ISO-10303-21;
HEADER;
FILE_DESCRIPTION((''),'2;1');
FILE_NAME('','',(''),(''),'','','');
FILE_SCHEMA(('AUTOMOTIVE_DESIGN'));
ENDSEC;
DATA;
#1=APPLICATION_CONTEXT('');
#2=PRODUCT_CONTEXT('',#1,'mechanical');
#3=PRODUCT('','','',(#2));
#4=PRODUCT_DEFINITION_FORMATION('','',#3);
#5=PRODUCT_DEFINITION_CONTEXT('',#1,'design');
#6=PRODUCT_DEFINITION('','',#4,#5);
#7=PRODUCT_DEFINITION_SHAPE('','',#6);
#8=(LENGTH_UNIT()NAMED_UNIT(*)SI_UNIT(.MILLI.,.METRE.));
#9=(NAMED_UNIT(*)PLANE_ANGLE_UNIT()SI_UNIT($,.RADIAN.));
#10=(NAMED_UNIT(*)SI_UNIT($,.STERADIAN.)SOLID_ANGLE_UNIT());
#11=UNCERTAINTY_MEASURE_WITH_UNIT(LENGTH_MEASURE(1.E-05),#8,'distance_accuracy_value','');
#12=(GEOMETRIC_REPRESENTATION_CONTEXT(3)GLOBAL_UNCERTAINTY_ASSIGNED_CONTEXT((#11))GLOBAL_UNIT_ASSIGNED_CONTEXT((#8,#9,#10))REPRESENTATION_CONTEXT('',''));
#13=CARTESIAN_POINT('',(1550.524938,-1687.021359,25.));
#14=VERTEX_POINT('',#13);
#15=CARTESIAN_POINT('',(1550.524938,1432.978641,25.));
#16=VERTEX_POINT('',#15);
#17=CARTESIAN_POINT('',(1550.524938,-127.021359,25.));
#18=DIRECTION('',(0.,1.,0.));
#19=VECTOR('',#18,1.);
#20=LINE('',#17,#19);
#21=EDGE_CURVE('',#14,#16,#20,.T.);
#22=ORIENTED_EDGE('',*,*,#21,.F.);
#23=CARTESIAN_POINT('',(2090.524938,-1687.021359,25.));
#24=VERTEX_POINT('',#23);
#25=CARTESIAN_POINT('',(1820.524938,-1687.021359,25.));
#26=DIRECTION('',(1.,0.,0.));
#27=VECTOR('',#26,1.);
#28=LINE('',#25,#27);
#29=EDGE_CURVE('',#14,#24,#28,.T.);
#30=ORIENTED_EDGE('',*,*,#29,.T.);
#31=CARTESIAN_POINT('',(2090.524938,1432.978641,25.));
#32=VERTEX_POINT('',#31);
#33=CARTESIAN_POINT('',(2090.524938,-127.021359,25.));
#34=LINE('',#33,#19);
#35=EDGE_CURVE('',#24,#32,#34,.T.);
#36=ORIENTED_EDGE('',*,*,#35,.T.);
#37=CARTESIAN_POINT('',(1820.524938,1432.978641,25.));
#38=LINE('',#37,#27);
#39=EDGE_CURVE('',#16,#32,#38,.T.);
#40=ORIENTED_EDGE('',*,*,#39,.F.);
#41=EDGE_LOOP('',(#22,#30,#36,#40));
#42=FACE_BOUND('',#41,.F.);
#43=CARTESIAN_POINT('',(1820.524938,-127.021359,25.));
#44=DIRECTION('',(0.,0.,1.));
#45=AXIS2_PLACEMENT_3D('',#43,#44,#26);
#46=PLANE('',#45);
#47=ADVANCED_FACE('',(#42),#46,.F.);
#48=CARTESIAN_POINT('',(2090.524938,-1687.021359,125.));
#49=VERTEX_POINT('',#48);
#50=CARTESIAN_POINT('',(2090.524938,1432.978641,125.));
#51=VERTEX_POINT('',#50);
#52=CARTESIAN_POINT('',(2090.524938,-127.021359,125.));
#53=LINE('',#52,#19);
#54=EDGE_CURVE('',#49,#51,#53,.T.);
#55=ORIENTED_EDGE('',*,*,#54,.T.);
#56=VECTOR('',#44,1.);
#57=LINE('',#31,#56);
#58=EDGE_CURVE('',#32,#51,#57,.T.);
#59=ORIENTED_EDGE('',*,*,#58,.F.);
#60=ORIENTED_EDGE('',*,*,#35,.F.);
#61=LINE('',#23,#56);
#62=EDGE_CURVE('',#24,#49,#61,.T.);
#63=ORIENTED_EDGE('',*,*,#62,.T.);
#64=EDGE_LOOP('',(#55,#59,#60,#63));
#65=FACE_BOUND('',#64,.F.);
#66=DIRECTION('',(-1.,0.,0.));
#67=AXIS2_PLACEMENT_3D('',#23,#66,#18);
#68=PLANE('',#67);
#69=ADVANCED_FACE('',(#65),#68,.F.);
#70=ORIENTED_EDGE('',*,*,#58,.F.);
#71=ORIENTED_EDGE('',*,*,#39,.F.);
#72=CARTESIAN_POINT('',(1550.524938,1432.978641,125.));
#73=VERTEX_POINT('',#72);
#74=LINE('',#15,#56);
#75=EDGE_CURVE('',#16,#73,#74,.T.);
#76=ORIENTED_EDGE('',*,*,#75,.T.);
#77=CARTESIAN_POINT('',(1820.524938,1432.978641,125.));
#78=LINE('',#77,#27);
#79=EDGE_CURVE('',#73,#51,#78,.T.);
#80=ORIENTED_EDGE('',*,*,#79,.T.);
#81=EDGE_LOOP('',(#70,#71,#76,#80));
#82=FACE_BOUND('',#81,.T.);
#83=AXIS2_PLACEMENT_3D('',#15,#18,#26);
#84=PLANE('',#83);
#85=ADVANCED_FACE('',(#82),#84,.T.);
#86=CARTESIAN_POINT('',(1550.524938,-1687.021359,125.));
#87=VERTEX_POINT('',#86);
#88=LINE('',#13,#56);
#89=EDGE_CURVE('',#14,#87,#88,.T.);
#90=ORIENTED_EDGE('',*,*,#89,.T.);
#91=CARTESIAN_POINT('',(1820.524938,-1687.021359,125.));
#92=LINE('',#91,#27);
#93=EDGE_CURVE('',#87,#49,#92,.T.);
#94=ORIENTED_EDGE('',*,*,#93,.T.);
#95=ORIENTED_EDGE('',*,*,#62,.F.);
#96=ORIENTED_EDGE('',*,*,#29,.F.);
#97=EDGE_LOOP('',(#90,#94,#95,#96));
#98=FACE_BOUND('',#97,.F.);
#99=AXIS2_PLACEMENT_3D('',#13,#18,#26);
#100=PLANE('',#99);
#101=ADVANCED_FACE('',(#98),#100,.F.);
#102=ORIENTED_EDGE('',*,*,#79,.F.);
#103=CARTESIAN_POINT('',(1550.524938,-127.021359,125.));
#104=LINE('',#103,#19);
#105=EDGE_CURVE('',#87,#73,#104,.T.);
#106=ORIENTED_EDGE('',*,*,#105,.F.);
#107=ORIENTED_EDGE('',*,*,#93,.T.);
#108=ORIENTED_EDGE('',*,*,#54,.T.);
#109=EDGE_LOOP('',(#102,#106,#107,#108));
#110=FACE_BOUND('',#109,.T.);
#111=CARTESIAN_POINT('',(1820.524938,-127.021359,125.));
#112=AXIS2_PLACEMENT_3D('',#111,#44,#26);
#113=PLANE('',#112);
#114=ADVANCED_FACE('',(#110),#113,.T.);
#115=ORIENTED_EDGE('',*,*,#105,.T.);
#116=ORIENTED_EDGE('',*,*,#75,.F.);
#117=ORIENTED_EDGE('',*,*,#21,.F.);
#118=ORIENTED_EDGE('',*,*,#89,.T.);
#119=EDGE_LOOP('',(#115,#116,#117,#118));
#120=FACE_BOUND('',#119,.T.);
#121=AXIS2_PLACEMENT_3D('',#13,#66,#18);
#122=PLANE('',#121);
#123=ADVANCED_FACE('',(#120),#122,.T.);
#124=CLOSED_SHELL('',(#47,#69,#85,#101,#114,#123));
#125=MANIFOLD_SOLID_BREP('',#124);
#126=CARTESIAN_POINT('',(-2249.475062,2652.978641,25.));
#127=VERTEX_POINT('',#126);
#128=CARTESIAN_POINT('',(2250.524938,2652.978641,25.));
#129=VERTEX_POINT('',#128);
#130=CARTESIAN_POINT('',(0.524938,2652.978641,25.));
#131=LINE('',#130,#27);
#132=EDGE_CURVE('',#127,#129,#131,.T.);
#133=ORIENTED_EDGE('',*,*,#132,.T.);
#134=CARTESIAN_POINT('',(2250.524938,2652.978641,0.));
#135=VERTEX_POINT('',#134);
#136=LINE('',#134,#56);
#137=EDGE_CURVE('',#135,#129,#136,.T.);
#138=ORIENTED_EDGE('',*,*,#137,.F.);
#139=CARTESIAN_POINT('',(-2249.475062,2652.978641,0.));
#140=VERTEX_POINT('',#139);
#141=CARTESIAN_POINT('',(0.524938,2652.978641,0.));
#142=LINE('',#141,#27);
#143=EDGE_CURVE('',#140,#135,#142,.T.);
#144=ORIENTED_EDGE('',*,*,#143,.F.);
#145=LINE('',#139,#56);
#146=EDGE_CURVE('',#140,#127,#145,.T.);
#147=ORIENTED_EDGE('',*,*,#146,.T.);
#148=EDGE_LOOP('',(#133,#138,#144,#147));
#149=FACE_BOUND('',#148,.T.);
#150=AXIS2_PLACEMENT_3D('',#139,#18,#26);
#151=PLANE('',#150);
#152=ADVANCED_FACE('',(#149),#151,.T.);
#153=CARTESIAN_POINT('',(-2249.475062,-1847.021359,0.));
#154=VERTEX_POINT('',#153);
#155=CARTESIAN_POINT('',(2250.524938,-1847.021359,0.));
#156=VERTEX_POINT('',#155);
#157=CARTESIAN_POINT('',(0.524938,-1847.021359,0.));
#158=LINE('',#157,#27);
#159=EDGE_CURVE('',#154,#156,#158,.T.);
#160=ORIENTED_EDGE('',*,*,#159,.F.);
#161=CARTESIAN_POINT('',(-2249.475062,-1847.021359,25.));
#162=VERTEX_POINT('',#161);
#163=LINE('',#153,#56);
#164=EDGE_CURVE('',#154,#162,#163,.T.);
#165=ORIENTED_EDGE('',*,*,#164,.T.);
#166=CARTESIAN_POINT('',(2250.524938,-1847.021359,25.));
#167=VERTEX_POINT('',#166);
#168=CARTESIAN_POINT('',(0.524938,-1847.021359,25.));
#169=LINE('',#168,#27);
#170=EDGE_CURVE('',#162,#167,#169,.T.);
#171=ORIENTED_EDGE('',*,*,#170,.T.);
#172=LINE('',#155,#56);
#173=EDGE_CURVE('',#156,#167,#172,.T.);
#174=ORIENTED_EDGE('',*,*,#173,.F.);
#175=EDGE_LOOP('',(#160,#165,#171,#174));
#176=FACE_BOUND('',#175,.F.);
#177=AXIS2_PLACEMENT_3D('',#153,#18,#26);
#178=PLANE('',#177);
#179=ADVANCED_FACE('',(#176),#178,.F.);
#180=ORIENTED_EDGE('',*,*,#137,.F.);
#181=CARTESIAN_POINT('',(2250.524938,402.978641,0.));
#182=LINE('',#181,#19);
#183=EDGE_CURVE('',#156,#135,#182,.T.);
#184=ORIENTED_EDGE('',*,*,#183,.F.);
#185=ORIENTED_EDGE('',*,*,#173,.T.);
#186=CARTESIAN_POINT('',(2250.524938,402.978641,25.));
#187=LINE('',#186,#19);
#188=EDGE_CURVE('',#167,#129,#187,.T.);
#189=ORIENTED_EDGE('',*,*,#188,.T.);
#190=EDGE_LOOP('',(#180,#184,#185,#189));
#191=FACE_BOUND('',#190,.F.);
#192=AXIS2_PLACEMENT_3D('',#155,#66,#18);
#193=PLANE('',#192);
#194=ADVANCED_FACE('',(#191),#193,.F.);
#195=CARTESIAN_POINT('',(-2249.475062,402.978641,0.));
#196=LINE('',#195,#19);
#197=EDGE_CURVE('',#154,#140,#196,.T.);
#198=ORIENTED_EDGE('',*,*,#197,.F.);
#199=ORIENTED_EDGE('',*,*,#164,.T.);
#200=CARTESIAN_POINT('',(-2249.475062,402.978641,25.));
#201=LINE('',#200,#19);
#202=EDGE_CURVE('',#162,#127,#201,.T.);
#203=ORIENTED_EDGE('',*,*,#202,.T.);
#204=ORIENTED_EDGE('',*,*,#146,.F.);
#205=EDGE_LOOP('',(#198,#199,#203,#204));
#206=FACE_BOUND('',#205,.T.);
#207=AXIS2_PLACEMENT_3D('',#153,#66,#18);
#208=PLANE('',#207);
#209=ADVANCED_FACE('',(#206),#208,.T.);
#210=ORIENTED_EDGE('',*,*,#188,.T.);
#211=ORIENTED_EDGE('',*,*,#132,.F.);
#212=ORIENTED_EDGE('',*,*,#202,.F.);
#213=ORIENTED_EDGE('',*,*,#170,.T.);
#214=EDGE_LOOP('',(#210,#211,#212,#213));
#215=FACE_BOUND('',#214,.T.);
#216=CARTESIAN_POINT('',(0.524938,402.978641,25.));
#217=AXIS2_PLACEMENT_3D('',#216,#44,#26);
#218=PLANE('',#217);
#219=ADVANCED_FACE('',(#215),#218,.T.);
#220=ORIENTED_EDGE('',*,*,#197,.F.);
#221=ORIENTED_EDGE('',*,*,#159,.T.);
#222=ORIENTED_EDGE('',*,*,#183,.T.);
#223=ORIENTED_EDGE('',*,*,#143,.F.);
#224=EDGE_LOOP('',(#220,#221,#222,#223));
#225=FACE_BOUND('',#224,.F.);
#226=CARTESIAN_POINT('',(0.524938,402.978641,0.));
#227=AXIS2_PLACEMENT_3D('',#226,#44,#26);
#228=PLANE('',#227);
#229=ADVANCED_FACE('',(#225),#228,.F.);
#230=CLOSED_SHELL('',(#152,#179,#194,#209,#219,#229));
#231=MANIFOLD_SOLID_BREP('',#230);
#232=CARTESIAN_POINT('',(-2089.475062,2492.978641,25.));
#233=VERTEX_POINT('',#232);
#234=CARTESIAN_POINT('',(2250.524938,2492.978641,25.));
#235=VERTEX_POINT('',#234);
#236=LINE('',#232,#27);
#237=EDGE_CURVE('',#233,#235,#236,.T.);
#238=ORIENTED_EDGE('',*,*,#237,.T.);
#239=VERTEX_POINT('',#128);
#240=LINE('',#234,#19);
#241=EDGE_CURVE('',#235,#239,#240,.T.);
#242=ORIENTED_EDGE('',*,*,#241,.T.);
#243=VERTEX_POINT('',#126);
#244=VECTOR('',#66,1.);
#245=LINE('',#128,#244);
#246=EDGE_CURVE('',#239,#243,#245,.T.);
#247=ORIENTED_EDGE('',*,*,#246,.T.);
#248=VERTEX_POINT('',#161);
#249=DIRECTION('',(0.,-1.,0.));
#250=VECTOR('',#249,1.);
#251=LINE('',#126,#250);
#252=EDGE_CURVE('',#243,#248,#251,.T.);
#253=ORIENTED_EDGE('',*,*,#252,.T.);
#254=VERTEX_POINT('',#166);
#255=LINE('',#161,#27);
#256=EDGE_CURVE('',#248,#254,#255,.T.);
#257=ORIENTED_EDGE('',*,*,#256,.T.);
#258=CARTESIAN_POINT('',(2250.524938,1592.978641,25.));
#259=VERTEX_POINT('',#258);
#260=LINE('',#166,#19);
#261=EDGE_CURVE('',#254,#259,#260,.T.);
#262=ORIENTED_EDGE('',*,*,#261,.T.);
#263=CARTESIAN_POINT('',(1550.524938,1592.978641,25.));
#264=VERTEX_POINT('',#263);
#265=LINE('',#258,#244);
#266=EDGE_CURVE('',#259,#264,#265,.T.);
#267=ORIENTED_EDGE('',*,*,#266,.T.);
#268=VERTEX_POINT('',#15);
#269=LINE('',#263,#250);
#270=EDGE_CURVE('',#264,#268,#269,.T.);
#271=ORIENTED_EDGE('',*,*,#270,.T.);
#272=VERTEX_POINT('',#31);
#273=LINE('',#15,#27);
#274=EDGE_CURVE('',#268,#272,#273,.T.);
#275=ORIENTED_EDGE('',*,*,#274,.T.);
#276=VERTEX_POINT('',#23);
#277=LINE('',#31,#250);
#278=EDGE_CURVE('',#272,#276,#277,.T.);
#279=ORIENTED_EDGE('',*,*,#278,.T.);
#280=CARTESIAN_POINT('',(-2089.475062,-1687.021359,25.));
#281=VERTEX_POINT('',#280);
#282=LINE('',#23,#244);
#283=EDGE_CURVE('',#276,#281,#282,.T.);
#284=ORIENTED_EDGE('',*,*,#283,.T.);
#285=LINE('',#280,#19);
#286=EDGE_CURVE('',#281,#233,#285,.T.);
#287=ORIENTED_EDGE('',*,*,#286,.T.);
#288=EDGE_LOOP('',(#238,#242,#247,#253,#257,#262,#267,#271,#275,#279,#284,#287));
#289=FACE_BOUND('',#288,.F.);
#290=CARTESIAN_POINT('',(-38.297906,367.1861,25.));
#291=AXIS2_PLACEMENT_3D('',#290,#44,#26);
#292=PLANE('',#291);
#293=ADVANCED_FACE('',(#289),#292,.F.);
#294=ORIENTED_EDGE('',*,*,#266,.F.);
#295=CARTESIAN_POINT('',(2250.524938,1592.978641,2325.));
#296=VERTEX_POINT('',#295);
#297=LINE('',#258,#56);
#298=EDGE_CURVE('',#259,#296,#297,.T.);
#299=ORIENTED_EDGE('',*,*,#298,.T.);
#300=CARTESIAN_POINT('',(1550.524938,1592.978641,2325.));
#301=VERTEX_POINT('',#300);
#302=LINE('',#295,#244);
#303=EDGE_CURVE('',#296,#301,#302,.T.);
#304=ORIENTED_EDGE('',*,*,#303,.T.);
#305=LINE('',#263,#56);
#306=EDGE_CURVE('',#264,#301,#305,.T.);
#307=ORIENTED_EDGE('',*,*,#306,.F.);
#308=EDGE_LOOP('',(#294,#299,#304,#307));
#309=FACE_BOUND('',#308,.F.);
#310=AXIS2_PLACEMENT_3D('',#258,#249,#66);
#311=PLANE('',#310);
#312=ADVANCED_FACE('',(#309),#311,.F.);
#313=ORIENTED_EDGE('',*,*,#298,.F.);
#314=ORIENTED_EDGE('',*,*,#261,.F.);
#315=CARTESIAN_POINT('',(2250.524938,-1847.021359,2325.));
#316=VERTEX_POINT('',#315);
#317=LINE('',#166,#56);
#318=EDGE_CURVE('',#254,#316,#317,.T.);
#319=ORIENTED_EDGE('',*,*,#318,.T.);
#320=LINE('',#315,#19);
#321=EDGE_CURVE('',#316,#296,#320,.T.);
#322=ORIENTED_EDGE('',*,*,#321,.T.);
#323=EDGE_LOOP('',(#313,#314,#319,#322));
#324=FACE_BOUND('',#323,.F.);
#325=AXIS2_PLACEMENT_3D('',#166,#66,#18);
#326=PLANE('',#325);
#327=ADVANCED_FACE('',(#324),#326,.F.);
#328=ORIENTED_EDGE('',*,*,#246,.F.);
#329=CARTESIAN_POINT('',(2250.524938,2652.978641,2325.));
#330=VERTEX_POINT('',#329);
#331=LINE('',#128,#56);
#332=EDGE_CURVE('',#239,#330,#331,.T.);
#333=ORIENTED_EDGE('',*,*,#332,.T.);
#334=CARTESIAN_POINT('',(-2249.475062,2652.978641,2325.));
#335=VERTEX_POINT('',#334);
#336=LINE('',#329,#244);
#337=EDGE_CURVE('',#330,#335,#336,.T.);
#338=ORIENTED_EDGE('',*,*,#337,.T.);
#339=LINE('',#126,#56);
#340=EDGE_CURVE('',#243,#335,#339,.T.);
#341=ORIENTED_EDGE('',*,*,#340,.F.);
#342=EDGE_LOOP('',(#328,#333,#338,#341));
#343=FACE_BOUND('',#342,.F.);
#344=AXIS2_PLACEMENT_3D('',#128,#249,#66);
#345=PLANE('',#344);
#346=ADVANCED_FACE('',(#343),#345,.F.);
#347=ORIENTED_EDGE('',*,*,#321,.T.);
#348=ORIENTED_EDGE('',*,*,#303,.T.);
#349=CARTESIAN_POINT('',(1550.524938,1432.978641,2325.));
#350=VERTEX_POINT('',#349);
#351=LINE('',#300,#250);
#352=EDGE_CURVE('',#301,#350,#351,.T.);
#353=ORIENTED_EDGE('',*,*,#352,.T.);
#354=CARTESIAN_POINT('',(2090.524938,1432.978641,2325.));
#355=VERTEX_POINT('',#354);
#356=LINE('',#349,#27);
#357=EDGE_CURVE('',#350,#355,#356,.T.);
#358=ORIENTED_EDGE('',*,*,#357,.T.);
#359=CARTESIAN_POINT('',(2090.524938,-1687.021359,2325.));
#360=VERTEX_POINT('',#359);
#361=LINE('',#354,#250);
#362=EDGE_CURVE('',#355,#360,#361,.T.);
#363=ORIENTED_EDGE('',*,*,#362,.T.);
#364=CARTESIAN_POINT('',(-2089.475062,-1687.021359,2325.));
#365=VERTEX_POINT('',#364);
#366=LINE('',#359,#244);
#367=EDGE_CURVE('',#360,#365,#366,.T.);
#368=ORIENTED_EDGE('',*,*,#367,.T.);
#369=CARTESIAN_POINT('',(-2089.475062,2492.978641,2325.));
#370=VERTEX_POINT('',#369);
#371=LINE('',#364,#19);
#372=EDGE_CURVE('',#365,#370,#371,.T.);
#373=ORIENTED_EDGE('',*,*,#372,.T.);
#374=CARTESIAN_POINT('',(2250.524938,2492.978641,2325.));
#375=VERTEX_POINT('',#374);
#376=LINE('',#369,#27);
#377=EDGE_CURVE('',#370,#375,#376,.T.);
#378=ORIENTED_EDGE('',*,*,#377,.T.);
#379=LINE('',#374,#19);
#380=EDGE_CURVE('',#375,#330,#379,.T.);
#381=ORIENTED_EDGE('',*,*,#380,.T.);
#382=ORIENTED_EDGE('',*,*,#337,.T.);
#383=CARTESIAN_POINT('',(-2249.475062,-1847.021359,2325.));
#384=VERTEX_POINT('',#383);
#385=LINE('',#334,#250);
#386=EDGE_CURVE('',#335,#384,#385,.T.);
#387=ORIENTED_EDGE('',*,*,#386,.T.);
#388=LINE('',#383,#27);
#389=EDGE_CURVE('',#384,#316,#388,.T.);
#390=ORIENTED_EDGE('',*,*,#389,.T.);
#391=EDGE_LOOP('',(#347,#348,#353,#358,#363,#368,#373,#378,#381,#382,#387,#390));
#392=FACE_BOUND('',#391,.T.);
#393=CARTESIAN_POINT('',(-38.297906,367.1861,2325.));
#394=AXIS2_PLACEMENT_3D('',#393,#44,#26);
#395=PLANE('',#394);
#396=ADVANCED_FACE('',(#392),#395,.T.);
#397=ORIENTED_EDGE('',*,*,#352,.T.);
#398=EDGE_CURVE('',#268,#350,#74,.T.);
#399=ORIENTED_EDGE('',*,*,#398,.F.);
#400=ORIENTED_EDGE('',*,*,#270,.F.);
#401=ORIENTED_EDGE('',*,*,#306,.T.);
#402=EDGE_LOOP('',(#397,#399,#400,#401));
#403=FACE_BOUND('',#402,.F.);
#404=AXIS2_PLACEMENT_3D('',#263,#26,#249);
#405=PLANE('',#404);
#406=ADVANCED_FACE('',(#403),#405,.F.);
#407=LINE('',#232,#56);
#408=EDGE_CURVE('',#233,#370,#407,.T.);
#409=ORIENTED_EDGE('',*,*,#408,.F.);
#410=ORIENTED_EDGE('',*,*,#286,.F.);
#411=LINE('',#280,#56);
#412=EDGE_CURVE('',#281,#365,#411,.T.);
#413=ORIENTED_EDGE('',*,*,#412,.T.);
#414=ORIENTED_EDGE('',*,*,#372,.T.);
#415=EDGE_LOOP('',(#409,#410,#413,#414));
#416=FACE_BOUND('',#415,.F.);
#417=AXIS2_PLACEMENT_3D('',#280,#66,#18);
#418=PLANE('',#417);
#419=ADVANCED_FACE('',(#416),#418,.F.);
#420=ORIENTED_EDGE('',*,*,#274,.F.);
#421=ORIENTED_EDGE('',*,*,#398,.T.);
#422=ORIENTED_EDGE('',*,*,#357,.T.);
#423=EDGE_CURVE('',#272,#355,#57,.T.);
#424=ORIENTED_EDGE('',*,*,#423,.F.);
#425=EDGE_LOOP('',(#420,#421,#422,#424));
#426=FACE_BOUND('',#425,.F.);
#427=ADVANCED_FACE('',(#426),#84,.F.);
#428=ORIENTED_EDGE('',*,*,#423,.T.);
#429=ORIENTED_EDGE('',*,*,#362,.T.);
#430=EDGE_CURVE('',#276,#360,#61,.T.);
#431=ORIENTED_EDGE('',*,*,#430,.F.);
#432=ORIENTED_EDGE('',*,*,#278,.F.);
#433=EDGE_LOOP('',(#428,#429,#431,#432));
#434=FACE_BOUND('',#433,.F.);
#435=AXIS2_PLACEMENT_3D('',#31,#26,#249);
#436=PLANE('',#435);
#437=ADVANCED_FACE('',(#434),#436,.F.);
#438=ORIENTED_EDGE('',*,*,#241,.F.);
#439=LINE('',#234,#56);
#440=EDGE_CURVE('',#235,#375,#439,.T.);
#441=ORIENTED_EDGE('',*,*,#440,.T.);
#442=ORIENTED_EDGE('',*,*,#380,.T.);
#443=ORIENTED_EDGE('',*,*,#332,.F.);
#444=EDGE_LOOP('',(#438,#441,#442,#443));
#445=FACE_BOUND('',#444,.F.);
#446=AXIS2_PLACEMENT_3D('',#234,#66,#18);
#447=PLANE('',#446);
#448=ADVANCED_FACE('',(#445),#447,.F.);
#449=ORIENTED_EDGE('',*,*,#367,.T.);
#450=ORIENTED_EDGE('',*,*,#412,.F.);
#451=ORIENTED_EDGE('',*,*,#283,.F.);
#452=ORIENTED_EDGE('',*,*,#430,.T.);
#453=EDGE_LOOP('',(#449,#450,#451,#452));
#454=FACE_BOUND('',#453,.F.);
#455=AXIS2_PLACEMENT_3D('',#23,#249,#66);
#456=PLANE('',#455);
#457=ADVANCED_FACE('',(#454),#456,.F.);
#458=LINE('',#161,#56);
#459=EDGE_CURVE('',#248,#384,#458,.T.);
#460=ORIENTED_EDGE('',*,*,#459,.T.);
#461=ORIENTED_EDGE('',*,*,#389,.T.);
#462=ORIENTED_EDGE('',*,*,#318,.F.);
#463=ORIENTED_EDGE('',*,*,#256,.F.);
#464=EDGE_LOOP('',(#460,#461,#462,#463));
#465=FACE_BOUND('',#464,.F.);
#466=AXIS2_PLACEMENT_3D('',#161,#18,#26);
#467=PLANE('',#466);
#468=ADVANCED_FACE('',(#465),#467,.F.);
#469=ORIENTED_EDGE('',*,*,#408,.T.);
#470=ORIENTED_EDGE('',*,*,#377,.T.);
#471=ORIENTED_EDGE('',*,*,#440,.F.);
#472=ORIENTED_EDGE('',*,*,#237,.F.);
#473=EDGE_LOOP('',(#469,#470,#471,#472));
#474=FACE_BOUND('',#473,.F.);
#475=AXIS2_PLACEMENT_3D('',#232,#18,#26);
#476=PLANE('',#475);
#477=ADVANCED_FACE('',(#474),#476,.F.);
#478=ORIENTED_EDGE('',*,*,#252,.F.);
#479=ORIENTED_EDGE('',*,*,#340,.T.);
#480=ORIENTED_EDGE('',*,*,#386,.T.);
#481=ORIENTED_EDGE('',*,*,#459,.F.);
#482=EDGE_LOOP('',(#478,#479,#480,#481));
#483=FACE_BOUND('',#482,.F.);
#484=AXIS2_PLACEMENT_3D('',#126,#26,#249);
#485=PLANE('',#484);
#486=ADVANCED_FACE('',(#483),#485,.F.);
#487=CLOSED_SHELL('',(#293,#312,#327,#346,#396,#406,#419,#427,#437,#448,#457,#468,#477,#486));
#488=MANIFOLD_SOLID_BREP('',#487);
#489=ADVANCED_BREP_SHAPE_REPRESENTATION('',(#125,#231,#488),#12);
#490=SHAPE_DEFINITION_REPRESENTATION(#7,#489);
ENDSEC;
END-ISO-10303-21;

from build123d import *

# Parameters (mm, degrees)
F0_W     = 4500
F0_H     = 4500
F1_DEPTH = 25
F3_DEPTH = 2300
F4_W     = 540
F4_H     = 3120
F5_DEPTH = 100


with BuildPart() as f1:
    # F0 (on Top) → F1 (new body)
    with BuildSketch(Plane.XY):
        with Locations((0.524938, 402.978641)):
            Rectangle(F0_W, F0_H)
    extrude(amount=F1_DEPTH)


with BuildPart() as f3:
    # F2 (on face) → F3 (new body)
    with BuildSketch(Plane.XY.offset(25)):
        Polygon((2250.524938, 2492.978641), (2250.524938, 2652.978641), (-2249.475062, 2652.978641), (-2249.475062, -1847.021359), (2250.524938, -1847.021359), (2250.524938, 1592.978641), (1550.524938, 1592.978641), (1550.524938, 1432.978641), (2090.524938, 1432.978641), (2090.524938, -1687.021359), (-2089.475062, -1687.021359), (-2089.475062, 2492.978641), align=None)
    extrude(amount=F3_DEPTH)


with BuildPart() as f5:
    # F4 (on face) → F5 (new body)
    with BuildSketch(Plane.XY.offset(25)):
        with Locations((1820.524938, -127.021359)):
            Rectangle(F4_W, F4_H)
    extrude(amount=F5_DEPTH)


solid = Compound([f1.part, f3.part, f5.part])
